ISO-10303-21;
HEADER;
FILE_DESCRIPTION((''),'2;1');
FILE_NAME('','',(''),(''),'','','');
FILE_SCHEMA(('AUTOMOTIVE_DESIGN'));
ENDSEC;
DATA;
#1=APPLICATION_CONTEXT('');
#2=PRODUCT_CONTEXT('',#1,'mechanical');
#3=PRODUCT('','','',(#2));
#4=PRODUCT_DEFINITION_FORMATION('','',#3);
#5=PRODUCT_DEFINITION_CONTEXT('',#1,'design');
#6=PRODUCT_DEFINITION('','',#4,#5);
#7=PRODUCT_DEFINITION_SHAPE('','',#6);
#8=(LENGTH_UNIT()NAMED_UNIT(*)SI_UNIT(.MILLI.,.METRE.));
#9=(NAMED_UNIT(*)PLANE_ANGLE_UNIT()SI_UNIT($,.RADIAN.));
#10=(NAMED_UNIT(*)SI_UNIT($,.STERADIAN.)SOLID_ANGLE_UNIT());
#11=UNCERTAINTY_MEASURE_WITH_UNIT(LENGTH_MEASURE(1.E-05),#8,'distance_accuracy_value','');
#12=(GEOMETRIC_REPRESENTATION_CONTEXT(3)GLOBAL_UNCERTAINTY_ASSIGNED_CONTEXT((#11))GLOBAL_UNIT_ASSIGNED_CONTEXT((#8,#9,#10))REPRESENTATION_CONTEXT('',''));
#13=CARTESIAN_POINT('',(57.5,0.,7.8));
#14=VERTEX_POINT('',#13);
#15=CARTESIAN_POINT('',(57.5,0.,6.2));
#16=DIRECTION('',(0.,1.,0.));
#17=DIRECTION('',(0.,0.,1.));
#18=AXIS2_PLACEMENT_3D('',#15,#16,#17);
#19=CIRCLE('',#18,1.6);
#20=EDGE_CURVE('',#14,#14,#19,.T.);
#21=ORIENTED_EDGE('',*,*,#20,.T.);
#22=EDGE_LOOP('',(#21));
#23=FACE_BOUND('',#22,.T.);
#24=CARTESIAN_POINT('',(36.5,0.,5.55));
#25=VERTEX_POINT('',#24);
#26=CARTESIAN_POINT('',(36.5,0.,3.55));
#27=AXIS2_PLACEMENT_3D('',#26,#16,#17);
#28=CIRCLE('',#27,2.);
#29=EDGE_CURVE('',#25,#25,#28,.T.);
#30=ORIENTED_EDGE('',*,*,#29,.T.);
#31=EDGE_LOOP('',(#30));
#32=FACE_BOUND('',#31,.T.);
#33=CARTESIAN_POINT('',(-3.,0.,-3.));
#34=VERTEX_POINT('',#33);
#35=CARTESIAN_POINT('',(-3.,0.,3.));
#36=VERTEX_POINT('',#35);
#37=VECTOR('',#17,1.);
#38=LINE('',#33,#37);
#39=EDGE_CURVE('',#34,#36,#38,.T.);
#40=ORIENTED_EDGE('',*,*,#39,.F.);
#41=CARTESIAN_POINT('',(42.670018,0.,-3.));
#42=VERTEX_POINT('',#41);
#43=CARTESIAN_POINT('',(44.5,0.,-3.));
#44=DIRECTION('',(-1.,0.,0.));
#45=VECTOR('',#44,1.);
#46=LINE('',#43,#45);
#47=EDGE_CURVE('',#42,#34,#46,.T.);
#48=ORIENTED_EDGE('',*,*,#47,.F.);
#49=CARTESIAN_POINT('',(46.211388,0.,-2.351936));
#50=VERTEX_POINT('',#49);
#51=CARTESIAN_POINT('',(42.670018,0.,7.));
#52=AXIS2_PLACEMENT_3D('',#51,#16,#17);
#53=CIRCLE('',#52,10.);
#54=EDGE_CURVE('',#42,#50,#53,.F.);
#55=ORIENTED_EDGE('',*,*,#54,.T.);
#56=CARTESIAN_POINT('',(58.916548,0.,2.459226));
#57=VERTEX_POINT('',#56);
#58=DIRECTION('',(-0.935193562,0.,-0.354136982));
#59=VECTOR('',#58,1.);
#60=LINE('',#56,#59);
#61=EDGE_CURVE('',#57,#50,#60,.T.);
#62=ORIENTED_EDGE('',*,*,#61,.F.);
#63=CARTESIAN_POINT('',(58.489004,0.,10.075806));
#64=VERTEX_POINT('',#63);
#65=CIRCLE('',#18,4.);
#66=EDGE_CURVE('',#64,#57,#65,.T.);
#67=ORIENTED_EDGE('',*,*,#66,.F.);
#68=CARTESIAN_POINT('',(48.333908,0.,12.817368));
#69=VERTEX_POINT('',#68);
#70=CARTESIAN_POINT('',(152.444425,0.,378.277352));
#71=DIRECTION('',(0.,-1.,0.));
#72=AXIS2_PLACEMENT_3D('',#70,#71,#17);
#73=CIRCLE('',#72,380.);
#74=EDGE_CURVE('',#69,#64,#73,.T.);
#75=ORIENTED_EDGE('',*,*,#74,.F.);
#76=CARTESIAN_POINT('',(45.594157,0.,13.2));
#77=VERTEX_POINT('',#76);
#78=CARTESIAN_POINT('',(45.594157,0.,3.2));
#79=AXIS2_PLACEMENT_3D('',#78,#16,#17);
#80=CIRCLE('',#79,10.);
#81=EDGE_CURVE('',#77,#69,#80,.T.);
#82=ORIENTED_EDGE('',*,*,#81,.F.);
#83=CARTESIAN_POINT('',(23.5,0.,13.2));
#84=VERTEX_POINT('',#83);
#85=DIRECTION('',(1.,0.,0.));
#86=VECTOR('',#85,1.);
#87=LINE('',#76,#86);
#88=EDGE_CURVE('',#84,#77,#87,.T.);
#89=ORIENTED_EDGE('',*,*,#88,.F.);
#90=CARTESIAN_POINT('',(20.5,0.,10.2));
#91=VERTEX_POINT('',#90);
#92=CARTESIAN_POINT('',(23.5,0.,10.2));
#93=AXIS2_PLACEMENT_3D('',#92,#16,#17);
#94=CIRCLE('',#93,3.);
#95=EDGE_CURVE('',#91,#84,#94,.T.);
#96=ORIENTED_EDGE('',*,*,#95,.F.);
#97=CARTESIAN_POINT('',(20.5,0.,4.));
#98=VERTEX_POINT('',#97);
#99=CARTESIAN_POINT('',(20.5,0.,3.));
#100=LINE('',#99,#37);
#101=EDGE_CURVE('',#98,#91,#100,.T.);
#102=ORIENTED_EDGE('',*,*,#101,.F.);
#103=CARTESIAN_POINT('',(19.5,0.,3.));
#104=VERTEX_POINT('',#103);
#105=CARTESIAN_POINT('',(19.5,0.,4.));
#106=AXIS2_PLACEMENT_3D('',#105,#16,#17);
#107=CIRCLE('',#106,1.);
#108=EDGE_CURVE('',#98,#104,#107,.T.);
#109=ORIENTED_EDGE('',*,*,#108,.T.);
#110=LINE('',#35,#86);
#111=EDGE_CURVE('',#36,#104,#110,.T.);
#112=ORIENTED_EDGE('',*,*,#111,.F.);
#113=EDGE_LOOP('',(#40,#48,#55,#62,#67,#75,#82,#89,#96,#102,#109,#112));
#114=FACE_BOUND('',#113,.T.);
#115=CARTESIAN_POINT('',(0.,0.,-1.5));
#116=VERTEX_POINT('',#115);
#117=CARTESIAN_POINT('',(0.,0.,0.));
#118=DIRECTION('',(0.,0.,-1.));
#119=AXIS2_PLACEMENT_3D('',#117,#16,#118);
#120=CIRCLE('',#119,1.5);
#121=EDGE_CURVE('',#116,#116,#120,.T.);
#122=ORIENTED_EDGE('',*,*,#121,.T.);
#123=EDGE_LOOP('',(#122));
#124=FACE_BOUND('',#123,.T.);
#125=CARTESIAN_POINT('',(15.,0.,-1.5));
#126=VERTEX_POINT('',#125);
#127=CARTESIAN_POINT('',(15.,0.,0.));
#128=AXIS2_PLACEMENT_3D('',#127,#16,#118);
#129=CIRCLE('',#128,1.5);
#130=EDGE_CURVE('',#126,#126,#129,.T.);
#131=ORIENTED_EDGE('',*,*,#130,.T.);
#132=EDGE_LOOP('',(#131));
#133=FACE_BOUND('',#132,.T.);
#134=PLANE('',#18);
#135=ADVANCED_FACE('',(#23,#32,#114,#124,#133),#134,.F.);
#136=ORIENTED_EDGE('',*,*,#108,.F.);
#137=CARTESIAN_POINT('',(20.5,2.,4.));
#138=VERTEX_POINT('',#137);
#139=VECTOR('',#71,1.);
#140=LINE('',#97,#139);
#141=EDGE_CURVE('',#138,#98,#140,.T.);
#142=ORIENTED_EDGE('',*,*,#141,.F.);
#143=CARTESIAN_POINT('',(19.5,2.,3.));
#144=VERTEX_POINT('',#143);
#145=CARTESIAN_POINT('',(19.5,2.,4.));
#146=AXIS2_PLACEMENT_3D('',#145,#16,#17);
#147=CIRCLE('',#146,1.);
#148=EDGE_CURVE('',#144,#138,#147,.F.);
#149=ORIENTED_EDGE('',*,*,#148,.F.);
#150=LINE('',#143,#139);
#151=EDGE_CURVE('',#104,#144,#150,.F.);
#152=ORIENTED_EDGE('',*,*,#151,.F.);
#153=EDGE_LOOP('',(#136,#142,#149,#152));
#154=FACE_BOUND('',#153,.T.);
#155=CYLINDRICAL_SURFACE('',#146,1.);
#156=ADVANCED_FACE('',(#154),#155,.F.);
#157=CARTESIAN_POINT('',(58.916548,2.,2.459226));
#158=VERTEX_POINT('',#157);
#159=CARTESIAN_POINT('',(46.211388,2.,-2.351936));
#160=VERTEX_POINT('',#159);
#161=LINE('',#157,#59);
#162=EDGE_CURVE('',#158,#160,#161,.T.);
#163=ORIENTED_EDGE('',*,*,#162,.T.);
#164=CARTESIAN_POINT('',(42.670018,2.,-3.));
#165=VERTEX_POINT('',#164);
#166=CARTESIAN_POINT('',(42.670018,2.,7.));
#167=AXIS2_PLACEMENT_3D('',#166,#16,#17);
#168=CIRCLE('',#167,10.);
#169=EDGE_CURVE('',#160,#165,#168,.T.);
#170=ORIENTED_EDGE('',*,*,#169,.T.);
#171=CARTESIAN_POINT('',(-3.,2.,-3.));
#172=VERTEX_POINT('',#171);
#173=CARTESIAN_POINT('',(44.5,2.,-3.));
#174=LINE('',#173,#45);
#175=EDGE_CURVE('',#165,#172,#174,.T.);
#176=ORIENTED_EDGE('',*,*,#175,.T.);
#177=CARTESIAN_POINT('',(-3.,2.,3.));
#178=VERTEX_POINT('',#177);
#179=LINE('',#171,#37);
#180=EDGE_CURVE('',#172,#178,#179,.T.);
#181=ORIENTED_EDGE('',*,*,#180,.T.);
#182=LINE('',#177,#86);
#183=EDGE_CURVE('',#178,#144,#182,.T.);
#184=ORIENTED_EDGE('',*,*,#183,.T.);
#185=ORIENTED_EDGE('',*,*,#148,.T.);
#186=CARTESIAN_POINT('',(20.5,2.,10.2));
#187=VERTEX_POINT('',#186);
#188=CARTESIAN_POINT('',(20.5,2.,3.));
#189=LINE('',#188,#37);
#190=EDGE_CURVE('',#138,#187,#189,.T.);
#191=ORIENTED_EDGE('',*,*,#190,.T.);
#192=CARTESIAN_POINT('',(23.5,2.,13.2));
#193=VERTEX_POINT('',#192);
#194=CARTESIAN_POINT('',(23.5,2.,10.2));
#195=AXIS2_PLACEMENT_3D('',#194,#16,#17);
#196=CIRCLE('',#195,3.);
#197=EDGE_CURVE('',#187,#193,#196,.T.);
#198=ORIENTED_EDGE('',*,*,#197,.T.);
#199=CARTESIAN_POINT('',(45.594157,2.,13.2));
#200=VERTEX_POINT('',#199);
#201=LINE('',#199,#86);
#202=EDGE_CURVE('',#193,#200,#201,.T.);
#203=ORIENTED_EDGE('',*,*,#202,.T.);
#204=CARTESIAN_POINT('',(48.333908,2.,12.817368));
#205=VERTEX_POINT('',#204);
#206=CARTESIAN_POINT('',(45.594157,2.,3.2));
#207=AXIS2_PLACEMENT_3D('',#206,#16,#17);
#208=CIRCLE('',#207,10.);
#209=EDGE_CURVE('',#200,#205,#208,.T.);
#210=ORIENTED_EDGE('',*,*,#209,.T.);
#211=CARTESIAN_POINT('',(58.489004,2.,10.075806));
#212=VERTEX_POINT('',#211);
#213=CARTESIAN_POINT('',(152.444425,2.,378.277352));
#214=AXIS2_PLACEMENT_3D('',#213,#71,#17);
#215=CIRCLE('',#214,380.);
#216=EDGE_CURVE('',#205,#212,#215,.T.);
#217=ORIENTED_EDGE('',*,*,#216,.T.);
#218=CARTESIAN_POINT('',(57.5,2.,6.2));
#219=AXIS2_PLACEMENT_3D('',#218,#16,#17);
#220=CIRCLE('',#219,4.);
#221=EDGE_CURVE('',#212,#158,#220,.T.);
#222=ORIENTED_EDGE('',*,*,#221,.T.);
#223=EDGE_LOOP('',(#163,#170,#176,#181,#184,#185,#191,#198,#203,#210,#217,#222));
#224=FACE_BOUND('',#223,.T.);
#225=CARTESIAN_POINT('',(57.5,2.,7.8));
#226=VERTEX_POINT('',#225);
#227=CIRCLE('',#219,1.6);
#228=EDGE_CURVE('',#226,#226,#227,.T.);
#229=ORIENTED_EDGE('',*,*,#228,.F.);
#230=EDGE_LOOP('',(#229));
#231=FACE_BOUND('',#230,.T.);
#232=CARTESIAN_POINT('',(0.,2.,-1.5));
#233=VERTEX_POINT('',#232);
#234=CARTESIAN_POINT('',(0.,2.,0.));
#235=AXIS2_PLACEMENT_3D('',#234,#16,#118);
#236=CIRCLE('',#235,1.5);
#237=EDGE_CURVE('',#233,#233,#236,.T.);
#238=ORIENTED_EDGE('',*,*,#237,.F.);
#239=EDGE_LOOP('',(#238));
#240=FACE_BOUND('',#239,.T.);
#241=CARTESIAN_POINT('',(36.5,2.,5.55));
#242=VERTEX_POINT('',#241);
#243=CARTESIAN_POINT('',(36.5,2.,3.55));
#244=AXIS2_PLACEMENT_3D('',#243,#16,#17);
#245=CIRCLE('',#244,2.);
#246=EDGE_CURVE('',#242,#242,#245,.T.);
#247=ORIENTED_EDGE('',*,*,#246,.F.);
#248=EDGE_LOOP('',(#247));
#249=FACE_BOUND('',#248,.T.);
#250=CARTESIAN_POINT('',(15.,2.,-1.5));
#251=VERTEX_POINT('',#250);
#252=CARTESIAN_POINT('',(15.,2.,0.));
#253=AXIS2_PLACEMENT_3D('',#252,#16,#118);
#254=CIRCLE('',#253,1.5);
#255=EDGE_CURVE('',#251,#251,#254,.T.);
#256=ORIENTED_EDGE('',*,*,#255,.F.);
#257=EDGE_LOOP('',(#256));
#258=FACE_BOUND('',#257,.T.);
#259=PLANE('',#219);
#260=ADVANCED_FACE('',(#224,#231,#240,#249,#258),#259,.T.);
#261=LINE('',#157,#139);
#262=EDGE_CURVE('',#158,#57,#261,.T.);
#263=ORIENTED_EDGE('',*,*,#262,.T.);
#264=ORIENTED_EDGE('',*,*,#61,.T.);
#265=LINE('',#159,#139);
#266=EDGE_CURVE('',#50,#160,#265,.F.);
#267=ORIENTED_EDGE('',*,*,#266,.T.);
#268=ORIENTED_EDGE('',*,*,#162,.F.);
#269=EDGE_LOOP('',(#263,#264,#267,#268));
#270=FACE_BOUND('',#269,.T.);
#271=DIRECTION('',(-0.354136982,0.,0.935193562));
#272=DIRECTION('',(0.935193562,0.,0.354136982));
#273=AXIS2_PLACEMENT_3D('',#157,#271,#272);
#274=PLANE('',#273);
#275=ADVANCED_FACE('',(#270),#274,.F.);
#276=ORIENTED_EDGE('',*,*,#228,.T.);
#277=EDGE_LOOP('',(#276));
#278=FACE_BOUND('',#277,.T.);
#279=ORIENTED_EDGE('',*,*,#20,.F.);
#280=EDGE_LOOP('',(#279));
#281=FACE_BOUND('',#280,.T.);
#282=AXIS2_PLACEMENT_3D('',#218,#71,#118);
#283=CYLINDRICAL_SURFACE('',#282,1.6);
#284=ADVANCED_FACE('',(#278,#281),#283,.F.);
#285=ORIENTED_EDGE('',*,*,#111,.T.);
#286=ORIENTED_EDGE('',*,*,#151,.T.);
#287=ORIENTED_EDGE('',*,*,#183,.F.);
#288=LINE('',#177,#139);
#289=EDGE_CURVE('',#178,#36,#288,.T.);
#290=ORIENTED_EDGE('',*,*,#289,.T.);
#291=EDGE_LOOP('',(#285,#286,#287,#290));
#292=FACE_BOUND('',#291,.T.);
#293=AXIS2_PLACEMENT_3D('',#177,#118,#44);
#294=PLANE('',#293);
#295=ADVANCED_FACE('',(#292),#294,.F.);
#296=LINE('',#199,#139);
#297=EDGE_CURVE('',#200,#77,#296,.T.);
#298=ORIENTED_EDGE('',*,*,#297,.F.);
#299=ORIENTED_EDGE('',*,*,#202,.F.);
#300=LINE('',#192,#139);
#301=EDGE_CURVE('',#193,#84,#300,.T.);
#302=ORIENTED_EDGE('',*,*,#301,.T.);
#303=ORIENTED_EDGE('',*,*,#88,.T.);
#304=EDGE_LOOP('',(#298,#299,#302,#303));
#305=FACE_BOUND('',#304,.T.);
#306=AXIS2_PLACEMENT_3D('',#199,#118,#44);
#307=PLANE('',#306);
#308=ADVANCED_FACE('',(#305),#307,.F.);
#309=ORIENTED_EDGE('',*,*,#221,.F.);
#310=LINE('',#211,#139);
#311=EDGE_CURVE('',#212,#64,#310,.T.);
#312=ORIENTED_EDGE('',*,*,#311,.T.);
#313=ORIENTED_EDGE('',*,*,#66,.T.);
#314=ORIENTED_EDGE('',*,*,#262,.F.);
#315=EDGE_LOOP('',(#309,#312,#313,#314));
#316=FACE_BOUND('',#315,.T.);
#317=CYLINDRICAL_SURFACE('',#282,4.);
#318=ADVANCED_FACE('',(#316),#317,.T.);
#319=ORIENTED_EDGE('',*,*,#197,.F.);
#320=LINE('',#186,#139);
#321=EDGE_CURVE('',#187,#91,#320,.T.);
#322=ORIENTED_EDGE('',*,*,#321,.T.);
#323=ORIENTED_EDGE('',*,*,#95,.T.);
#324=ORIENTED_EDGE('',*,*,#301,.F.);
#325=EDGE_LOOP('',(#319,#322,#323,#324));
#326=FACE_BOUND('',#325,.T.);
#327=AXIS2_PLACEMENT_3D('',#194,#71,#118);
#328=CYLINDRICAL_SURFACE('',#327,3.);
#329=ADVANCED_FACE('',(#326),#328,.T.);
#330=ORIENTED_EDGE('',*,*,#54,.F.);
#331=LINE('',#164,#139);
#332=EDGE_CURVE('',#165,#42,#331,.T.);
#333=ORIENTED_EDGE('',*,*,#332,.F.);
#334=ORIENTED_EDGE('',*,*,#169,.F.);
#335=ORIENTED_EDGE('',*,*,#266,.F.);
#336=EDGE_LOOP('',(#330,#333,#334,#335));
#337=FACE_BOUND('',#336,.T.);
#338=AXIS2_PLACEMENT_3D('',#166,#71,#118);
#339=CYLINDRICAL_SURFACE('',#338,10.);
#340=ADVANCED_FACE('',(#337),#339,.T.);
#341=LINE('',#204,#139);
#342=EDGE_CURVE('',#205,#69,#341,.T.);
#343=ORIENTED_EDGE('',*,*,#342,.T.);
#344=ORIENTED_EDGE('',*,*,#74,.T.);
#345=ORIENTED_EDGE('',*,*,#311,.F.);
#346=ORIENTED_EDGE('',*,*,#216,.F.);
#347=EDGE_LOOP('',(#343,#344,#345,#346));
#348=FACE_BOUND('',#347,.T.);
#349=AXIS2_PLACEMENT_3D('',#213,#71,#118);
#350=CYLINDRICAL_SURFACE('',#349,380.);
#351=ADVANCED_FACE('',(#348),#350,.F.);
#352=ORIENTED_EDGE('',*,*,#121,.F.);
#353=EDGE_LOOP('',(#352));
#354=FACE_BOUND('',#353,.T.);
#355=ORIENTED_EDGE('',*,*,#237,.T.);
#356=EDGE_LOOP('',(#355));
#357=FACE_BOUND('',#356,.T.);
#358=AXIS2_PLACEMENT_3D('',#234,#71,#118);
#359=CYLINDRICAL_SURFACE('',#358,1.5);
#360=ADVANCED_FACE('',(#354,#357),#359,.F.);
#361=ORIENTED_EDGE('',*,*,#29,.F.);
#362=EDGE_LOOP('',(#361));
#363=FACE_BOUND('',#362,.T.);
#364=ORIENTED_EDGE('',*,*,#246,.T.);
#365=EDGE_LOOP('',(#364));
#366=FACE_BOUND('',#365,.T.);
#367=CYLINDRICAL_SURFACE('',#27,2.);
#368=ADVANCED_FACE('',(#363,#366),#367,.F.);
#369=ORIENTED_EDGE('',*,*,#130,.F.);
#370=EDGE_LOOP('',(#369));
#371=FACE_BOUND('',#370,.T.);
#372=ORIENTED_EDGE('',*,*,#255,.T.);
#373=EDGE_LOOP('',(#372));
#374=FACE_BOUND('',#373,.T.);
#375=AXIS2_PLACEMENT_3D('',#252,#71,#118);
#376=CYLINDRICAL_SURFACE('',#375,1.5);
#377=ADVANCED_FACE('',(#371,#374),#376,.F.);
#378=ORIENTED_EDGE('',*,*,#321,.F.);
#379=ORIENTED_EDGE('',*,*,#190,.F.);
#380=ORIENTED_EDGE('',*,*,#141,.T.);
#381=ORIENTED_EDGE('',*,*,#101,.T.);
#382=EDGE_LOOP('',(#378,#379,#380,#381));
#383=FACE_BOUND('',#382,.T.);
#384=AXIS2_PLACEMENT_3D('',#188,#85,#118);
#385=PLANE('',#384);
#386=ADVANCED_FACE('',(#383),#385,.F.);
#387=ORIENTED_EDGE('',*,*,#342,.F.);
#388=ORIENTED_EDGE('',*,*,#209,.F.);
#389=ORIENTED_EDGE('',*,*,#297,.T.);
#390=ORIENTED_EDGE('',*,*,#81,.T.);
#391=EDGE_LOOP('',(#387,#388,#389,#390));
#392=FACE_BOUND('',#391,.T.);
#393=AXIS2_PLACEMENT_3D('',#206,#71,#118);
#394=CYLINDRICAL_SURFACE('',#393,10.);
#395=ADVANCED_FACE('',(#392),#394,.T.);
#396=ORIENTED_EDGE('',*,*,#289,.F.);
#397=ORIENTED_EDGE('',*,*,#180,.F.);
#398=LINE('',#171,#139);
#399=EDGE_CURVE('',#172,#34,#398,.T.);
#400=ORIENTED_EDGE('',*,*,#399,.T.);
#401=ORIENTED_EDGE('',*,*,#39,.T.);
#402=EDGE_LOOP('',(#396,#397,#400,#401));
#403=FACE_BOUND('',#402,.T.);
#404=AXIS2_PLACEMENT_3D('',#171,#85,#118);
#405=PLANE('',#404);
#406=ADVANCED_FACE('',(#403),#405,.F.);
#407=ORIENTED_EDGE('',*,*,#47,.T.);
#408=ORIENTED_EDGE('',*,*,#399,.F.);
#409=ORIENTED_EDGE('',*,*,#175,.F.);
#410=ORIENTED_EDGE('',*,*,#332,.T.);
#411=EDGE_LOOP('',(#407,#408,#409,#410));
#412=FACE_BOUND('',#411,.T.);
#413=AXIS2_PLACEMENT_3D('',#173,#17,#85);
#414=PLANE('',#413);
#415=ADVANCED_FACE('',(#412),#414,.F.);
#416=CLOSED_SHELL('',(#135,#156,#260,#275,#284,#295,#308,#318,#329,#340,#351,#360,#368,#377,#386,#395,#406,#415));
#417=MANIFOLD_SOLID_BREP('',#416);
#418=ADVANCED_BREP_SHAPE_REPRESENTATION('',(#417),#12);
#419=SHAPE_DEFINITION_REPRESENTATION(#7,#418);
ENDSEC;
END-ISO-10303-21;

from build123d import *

# Parameters (mm, degrees)
SKETCH_2_R          = 1.5
SKETCH_2_R_2        = 1.6
EXTRUDE_2_DEPTH     = 2
FILLET_1_R          = 1
FILLET_2_R          = 10
SKETCH_3_R          = 2
CUT_EXTRUDE_1_DEPTH = 3


with BuildPart() as part:
    # 草图2 → 凸台-拉伸2 (new body)
    with BuildSketch(Plane(origin=(0, 0, 0), x_dir=(1, 0, 0), z_dir=(0, 1, 0))):
        with BuildLine():
            Line((44.5, 3), (-3, 3))
            Line((-3, 3), (-3, -3))
            Line((-3, -3), (20.5, -3))
            Line((20.5, -3), (20.5, -10.2))
            ThreePointArc((20.5, -10.2), (21.378679656, -12.321320344), (23.5, -13.2))
            Line((23.5, -13.2), (45.594157258, -13.2))
            ThreePointArc((45.594157258, -13.2), (46.977327515, -13.10388005), (48.333907722, -12.817368008))
            ThreePointArc((48.333907722, -12.817368008), (53.401969584, -11.411447703), (58.489004431, -10.075805753))
            ThreePointArc((58.489004431, -10.075805753), (61.493712967, -6.424180145), (58.916547929, -2.459225753))
            Line((58.916547929, -2.459225753), (44.5, 3))
        make_face()
        Circle(SKETCH_2_R, mode=Mode.SUBTRACT)
        with Locations((15, 0)):
            Circle(SKETCH_2_R, mode=Mode.SUBTRACT)
        with Locations((57.5, -6.2)):
            Circle(SKETCH_2_R_2, mode=Mode.SUBTRACT)
    extrude(amount=EXTRUDE_2_DEPTH)

    # 圆角1
    fillet_1_edges = [part.edges().sort_by_distance(p)[0] for p in [
        (20.5, 1, 3),
    ]]
    fillet(fillet_1_edges, radius=FILLET_1_R)

    # 圆角2
    fillet_2_edges = [part.edges().sort_by_distance(p)[0] for p in [
        (44.5, 1, -3),
    ]]
    fillet(fillet_2_edges, radius=FILLET_2_R)

    # 草图3 → 切除-拉伸1 (cut, through all)
    with BuildSketch(Plane(origin=(0, 2, 0), x_dir=(1, 0, 0), z_dir=(0, 1, 0))):
        with Locations((36.5, -3.55)):
            Circle(SKETCH_3_R)
    extrude(amount=-CUT_EXTRUDE_1_DEPTH, mode=Mode.SUBTRACT)


solid = part.part
